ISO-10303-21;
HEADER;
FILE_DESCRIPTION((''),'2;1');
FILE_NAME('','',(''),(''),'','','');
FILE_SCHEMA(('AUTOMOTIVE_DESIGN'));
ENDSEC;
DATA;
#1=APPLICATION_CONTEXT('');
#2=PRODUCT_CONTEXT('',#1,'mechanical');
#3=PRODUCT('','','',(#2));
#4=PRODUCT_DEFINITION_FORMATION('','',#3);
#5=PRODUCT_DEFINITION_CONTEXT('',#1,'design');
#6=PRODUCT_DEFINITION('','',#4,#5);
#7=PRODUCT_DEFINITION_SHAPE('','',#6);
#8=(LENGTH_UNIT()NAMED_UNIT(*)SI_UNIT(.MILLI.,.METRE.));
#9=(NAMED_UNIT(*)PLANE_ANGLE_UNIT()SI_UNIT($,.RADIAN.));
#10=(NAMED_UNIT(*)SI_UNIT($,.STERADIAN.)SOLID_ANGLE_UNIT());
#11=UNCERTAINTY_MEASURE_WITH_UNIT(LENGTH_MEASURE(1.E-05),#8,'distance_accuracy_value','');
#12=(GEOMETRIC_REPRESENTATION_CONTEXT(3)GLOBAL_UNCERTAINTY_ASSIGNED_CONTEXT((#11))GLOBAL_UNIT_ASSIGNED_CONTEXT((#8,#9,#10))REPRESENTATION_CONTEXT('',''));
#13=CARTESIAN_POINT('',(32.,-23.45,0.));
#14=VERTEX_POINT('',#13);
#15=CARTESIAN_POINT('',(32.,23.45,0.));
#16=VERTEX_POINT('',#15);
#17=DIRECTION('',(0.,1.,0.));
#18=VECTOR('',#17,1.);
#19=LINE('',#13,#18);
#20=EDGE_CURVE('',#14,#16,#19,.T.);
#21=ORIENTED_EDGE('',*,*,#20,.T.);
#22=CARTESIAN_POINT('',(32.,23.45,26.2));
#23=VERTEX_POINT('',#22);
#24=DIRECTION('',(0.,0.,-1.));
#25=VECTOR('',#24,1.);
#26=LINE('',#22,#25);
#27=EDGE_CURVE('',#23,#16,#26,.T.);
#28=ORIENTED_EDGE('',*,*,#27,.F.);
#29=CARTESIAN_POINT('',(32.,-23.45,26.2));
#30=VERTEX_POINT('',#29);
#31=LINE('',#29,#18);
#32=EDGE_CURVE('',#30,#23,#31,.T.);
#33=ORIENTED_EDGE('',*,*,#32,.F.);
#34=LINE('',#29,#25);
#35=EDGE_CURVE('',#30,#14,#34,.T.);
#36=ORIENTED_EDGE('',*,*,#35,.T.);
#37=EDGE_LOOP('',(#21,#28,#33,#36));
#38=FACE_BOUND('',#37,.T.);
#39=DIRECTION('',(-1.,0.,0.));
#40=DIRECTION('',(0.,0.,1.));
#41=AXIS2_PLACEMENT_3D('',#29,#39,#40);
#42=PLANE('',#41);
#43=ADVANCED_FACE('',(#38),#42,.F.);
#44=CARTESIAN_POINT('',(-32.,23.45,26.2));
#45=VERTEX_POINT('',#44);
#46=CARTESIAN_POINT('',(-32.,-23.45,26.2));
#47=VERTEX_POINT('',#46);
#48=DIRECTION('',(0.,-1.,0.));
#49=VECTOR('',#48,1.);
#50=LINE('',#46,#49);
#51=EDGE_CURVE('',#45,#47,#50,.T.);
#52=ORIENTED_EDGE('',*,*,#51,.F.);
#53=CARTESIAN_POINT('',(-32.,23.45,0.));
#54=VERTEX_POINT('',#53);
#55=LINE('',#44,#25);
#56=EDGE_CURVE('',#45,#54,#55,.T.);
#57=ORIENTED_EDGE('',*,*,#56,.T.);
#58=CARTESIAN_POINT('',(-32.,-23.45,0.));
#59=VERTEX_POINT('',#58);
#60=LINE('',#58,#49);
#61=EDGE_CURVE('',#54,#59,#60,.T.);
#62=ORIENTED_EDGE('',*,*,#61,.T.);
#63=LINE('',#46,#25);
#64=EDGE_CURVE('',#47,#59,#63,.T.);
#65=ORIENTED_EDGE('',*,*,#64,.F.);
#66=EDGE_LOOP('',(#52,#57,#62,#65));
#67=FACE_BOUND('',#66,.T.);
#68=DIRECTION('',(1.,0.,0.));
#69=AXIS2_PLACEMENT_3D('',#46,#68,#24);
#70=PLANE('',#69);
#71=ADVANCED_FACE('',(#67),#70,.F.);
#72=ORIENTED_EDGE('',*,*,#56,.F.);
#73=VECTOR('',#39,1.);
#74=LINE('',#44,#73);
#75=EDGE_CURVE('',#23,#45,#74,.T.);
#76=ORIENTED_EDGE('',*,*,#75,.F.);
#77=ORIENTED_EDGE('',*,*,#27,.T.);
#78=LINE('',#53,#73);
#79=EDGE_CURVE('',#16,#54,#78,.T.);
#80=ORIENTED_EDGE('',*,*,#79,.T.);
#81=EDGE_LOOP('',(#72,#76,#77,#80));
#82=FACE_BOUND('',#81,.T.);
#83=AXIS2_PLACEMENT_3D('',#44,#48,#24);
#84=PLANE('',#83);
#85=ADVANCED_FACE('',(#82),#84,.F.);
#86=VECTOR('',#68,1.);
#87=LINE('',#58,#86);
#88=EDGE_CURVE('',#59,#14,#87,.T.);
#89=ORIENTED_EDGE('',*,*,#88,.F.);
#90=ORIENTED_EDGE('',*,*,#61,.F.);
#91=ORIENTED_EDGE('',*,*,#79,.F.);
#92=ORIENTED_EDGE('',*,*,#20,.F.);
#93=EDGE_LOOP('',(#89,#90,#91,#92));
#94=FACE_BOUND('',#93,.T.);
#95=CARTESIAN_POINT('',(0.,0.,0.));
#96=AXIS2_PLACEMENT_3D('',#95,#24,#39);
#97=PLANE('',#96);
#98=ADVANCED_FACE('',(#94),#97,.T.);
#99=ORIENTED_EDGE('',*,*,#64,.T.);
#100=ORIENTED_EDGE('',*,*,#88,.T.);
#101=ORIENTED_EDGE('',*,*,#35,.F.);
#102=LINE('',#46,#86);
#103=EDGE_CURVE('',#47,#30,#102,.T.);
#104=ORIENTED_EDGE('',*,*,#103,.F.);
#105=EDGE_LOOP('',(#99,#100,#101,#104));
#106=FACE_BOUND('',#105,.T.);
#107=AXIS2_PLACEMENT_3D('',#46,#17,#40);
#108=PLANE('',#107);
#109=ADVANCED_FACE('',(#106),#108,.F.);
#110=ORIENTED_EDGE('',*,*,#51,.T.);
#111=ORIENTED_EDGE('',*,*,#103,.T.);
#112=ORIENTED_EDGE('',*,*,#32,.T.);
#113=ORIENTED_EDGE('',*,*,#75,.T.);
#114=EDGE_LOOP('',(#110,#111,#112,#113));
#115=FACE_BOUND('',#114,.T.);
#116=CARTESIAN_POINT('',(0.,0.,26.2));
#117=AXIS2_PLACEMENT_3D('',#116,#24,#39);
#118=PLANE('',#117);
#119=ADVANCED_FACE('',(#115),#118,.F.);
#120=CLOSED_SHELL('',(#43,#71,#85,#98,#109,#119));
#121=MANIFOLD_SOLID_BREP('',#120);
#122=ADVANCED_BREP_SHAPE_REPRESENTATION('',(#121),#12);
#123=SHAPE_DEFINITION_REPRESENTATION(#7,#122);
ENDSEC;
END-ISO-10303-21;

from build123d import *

# Parameters (mm, degrees)
SKETCH1_W      = 64
SKETCH1_H      = 46.9
ENVELOPE_DEPTH = 26.2


with BuildPart() as part:
    # Sketch1 → Envelope (new body)
    with BuildSketch(Plane.XY):
        Rectangle(SKETCH1_W, SKETCH1_H)
    extrude(amount=ENVELOPE_DEPTH)


solid = part.part
